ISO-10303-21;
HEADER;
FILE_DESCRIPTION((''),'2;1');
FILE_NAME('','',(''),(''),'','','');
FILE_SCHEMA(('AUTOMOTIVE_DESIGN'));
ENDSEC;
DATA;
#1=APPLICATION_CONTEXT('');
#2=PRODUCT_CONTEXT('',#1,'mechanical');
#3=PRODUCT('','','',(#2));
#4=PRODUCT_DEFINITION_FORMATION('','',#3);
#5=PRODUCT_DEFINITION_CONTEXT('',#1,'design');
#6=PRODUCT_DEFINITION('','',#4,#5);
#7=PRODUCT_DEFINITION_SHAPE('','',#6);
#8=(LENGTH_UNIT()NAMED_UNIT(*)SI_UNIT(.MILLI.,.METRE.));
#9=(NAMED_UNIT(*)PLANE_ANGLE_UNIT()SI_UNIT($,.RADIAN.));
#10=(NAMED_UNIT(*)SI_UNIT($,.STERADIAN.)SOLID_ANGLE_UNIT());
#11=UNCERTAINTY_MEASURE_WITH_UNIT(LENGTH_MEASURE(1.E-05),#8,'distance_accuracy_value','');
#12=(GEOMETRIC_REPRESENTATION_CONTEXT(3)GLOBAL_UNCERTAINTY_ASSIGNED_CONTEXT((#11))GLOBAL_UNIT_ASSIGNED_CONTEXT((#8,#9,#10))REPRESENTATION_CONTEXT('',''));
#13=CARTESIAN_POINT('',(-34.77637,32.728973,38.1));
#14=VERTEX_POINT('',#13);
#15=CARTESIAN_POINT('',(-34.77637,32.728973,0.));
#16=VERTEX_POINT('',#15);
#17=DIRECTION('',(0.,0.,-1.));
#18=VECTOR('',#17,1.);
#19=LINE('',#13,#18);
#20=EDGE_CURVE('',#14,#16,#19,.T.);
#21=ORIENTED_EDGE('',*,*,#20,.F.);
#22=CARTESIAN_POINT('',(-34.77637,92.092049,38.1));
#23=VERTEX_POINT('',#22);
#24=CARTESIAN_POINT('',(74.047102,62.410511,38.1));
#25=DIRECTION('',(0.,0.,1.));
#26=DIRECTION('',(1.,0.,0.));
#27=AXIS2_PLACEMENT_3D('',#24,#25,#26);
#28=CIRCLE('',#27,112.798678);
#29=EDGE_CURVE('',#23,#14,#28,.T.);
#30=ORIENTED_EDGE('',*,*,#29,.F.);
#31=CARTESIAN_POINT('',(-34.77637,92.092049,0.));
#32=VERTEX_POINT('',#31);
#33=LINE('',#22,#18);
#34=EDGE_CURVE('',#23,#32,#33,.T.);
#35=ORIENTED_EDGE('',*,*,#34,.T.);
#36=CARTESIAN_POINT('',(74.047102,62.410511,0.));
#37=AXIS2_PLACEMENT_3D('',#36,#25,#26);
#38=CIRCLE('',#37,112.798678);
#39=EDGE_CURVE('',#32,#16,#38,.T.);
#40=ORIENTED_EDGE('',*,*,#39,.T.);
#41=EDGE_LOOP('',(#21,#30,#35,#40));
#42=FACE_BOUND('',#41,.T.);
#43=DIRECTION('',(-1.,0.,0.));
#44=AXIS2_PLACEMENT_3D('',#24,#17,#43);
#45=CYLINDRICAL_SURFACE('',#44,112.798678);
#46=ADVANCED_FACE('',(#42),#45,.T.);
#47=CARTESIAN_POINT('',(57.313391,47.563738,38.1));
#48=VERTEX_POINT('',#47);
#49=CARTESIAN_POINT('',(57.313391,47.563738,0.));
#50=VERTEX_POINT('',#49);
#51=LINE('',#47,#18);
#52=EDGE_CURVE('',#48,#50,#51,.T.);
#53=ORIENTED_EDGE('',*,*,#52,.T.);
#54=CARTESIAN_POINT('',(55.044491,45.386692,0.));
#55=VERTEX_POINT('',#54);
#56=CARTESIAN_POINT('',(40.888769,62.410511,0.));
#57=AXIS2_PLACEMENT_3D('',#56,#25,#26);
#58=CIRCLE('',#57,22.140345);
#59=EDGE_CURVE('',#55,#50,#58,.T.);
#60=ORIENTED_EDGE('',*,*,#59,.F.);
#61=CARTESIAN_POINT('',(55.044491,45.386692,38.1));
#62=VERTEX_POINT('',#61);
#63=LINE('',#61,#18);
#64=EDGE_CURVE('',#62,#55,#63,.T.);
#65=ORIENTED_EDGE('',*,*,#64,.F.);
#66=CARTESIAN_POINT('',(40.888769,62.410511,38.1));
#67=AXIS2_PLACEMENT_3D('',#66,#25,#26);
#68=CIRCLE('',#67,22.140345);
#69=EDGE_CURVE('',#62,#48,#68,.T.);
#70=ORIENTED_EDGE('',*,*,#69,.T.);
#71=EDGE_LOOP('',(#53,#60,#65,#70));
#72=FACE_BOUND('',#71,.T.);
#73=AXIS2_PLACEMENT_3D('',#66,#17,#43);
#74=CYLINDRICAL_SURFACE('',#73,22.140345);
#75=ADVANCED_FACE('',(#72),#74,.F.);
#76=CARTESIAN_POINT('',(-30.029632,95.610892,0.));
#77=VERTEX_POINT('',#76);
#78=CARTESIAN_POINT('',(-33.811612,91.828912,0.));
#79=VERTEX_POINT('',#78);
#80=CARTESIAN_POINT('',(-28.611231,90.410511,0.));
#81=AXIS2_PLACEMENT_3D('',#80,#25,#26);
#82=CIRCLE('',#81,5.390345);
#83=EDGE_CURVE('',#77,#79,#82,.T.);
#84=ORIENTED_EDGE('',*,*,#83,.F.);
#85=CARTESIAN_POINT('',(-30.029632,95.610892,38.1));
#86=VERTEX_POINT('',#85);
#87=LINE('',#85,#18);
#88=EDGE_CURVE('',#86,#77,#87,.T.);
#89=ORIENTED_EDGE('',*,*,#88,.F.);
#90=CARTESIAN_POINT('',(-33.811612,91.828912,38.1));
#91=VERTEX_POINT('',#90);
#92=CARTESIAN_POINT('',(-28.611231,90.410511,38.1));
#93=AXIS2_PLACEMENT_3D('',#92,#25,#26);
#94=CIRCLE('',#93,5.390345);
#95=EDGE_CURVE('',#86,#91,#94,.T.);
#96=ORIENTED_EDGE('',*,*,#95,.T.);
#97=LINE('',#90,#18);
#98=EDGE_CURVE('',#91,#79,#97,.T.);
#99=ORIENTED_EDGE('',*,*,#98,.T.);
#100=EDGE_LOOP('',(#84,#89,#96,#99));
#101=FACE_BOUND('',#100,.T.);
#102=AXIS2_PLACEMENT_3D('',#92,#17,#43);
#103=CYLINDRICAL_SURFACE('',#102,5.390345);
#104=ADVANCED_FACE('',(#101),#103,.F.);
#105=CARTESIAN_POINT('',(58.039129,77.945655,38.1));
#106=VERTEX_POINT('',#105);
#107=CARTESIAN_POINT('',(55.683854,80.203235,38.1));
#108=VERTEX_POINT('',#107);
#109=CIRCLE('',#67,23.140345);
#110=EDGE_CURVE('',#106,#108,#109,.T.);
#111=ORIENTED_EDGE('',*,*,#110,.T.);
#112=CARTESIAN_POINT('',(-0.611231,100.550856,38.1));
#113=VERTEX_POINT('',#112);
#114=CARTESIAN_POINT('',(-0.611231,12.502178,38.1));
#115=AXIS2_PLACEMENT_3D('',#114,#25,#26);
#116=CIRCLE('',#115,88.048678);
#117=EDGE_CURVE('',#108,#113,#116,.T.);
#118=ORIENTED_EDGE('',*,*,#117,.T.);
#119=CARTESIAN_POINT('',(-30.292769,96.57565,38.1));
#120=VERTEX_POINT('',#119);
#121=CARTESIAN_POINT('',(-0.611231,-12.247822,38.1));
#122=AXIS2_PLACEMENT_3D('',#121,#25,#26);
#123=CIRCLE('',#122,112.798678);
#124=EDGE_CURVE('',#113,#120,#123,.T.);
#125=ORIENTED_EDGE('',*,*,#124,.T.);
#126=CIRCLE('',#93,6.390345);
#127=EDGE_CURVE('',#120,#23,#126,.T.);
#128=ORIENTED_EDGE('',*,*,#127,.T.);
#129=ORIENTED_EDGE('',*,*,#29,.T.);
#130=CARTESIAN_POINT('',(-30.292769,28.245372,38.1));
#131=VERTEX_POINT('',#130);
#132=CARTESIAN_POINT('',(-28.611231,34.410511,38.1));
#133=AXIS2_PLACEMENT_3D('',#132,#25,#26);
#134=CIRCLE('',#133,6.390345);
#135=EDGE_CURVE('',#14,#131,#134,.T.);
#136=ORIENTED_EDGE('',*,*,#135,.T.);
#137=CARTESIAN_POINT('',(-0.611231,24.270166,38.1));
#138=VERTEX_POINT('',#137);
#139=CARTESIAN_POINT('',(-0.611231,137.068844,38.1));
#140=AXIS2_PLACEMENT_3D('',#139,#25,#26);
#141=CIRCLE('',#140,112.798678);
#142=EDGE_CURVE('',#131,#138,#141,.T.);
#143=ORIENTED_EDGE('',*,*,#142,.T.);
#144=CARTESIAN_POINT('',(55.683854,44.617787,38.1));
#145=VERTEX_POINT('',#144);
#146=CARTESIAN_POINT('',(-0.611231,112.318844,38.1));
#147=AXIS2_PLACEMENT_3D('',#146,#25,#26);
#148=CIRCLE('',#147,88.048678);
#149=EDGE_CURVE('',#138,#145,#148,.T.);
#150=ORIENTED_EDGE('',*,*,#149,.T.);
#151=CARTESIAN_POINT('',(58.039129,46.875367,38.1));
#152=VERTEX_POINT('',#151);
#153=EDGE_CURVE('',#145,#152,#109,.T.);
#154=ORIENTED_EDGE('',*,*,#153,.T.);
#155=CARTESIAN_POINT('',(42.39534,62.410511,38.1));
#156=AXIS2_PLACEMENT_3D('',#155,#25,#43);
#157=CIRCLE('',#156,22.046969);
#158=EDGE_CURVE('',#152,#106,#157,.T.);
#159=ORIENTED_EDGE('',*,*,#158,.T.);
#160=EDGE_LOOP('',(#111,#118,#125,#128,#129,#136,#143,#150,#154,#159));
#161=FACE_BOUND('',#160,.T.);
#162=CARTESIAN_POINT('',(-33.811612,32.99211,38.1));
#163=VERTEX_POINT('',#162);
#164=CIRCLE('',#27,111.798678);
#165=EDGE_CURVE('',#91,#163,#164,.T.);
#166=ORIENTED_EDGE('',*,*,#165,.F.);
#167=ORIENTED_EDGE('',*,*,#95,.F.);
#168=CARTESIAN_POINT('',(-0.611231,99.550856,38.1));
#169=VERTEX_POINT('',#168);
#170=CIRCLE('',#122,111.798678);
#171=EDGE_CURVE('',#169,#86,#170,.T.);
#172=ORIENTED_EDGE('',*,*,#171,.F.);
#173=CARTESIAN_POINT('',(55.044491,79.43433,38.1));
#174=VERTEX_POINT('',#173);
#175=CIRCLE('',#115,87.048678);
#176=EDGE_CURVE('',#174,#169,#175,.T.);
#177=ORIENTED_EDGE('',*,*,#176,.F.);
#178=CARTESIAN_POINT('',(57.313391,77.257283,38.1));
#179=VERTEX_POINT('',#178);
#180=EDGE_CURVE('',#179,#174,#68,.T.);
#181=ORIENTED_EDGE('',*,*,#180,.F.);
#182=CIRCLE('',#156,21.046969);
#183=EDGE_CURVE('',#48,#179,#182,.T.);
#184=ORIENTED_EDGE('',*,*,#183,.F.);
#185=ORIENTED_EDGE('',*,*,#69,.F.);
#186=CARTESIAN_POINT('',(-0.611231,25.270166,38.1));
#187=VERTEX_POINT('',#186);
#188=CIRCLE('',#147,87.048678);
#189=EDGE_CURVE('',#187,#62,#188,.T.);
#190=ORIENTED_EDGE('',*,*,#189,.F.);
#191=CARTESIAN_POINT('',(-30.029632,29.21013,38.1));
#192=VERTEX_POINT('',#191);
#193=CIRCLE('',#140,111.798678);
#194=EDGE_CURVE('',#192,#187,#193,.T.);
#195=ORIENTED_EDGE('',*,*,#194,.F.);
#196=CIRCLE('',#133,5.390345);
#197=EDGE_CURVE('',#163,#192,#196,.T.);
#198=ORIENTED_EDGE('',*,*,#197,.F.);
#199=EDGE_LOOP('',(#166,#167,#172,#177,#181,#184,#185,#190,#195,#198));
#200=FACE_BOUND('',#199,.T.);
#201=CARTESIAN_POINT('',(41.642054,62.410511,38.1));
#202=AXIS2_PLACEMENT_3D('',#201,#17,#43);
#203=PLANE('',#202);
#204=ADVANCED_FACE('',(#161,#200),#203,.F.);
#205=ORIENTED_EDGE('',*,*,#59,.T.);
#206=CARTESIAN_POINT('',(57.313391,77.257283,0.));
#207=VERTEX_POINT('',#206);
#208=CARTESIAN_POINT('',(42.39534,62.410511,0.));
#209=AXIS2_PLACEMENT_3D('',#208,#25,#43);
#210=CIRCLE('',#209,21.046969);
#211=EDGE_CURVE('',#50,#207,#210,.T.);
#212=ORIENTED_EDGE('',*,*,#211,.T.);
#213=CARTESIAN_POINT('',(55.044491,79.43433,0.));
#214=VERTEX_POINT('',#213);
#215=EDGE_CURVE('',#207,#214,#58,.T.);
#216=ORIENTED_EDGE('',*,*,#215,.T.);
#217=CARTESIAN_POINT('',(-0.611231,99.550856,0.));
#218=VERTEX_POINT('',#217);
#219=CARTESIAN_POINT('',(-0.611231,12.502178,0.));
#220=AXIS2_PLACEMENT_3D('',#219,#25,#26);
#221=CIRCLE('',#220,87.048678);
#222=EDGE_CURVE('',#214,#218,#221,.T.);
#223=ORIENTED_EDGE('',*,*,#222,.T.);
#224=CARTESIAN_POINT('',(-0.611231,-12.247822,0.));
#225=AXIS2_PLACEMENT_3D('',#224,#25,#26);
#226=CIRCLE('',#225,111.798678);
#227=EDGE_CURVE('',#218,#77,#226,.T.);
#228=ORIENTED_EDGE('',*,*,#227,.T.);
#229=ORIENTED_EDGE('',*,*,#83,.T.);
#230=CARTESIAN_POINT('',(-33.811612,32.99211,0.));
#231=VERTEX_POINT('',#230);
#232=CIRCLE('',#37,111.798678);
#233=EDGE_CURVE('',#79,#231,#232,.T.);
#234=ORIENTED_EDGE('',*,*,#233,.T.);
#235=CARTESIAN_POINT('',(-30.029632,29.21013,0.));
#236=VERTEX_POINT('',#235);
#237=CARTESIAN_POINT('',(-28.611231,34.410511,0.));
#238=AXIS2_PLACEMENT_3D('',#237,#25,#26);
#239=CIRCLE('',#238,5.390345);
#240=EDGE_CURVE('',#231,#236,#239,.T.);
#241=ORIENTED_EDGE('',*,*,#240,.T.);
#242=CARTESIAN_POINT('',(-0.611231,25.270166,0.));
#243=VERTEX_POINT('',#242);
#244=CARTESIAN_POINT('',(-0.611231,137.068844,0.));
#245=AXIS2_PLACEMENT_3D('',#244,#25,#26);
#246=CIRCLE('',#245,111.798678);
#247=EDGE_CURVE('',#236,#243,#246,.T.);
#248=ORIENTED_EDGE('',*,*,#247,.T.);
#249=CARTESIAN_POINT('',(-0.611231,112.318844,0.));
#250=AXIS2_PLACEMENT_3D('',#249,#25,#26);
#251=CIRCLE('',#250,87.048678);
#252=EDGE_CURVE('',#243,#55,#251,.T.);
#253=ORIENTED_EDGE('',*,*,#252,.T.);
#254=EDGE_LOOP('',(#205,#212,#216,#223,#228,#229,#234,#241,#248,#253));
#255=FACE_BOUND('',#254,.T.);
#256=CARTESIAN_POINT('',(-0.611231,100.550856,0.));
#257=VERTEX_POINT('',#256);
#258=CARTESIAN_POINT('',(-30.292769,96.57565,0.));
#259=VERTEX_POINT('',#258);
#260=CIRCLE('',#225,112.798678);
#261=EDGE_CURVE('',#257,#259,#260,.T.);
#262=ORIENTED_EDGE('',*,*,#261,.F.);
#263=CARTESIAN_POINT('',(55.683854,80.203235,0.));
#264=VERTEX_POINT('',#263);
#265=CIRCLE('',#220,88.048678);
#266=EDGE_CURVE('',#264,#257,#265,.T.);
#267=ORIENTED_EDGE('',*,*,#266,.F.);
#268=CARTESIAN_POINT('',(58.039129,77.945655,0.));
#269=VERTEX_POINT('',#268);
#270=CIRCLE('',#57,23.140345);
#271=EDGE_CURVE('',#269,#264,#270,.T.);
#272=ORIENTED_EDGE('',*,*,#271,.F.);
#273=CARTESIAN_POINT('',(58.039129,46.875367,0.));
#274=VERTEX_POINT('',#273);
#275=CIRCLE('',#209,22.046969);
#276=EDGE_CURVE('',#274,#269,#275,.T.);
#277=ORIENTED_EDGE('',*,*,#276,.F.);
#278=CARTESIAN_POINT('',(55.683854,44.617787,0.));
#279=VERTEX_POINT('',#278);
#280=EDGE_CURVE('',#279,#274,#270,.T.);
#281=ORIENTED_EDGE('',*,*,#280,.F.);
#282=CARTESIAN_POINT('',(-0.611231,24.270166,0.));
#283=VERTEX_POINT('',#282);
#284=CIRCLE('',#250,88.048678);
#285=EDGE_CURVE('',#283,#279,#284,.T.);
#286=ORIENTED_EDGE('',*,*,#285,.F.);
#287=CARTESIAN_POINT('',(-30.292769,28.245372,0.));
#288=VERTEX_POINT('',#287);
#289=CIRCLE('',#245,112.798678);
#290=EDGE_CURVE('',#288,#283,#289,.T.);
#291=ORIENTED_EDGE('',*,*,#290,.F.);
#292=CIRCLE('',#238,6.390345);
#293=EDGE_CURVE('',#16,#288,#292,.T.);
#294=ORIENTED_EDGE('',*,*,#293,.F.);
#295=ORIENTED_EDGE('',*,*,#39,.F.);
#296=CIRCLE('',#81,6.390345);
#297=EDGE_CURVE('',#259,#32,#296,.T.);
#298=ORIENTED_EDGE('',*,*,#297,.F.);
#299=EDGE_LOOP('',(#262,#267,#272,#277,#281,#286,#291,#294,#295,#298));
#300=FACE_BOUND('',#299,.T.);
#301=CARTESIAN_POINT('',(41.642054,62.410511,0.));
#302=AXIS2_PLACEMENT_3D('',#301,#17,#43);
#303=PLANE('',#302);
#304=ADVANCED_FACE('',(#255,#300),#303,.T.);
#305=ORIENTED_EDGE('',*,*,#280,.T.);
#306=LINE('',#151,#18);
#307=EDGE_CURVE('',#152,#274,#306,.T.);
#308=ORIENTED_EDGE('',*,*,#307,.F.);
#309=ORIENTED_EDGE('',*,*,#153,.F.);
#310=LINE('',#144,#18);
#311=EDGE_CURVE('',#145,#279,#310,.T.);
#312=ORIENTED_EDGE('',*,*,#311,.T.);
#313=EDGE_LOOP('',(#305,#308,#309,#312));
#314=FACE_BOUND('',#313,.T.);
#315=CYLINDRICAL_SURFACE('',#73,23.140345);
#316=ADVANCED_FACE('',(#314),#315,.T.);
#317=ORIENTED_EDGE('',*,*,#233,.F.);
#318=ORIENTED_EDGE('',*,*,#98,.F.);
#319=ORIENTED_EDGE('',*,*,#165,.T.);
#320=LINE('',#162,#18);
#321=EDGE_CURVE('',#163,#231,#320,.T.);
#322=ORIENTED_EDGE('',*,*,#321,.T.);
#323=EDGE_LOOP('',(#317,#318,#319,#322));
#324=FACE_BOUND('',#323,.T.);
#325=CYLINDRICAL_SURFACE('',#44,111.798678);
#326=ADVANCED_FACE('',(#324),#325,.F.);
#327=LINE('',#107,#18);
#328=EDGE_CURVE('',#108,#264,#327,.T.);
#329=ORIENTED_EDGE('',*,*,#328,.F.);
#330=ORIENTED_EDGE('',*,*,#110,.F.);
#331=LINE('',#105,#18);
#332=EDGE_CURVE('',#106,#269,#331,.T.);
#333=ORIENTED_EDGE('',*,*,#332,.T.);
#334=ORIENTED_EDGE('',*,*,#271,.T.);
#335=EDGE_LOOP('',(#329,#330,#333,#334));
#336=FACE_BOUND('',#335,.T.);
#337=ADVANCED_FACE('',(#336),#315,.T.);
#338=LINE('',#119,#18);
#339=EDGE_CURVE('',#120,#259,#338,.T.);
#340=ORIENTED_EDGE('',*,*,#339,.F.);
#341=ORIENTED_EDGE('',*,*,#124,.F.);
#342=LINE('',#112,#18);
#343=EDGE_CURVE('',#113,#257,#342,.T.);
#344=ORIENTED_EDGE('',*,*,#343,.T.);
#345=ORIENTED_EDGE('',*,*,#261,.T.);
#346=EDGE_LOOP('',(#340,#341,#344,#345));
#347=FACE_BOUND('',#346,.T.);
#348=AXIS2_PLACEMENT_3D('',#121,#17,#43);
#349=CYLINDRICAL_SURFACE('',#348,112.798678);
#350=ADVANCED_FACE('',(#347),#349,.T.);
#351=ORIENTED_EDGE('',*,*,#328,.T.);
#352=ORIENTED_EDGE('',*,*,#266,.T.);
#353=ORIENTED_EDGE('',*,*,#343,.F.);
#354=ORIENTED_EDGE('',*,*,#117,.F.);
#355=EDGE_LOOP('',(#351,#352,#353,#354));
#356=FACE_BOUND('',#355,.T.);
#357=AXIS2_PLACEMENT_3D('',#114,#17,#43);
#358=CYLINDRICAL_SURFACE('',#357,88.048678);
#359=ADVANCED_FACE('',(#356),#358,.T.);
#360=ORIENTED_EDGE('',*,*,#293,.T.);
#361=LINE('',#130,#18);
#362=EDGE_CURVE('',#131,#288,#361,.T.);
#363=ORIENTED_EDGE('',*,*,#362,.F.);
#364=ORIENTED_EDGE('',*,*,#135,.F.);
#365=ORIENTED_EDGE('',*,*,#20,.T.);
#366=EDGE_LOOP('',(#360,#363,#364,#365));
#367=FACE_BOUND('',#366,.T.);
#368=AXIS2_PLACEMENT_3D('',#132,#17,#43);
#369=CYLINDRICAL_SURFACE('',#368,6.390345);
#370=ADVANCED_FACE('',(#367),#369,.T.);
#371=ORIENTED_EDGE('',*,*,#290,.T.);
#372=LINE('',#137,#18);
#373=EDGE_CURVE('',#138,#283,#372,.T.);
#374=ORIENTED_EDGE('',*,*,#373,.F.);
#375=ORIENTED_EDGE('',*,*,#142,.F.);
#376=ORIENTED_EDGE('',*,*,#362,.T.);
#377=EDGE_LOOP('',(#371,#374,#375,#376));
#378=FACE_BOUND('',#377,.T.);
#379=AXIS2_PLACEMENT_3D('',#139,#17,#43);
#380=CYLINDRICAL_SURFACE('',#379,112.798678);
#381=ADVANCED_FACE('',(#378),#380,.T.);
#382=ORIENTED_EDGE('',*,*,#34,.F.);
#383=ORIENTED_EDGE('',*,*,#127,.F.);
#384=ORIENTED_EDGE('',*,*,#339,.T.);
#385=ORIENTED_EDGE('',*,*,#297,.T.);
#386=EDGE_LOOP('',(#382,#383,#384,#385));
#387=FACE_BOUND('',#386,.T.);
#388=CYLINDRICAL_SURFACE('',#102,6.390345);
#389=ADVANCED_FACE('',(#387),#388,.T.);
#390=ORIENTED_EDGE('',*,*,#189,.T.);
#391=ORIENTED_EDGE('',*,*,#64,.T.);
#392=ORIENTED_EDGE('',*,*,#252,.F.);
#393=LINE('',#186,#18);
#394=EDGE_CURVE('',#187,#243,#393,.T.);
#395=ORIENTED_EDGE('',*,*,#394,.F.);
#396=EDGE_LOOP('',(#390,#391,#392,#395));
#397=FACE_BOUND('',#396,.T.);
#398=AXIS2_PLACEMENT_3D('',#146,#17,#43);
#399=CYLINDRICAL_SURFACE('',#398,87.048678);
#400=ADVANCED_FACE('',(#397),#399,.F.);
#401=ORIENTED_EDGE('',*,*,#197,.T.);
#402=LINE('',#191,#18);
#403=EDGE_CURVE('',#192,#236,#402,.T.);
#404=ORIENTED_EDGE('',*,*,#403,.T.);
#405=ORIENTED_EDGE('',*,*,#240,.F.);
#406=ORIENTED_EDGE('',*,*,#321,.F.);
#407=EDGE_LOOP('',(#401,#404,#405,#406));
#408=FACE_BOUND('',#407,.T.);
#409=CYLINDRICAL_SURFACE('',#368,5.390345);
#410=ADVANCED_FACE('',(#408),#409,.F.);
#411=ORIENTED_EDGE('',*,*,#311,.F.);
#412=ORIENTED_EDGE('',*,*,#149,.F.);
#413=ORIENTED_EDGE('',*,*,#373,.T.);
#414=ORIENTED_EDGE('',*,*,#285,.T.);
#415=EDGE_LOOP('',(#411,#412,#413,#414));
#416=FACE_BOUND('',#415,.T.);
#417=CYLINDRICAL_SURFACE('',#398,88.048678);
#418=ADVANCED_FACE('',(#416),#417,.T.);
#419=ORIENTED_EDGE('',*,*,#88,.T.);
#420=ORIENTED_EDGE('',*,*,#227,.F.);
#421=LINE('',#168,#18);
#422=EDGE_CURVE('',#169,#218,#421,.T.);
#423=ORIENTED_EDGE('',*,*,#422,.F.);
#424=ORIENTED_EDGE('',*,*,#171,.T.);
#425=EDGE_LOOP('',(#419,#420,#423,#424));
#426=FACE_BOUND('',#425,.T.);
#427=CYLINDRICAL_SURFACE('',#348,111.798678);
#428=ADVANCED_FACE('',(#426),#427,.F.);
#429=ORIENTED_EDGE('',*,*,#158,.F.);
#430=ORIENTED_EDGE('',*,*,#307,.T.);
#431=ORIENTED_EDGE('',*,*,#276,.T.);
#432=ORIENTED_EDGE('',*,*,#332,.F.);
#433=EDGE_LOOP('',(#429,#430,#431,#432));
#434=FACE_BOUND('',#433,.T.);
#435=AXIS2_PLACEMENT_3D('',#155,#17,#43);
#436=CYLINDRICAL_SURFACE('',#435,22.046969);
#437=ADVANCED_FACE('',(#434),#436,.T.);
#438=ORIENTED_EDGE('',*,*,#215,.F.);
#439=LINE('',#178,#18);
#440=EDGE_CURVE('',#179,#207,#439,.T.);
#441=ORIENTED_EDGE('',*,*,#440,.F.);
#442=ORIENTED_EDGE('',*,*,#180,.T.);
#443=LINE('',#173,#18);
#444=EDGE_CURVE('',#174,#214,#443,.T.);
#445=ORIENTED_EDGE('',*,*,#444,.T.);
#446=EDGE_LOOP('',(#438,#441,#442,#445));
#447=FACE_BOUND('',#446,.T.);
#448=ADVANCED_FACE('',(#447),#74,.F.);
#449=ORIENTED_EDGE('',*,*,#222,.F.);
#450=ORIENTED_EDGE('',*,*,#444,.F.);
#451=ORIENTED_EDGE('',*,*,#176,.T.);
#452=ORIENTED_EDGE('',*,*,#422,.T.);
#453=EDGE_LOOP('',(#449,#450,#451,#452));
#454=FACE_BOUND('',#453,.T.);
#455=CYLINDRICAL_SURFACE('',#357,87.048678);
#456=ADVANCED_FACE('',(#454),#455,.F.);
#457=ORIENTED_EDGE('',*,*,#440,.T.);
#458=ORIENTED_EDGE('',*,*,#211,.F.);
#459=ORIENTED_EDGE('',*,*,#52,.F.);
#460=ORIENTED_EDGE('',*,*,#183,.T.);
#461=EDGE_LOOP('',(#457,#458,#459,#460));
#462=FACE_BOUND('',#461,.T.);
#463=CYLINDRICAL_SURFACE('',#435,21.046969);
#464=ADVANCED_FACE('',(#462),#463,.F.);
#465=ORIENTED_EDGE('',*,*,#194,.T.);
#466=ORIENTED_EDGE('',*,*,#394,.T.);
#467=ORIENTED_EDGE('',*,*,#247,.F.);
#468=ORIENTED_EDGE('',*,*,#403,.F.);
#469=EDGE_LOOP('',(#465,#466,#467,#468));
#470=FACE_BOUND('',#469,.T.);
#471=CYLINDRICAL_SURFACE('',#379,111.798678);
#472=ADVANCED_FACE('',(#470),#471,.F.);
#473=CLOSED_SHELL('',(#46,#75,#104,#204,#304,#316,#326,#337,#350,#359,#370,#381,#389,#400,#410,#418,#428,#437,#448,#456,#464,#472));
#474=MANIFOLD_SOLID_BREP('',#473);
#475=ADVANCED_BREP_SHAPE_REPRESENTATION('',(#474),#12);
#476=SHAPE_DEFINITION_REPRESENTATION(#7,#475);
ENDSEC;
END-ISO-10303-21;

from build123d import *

# Parameters (mm, degrees)
EXTRUDE_1_DEPTH = 38.1


with BuildPart() as part:
    # Эскиз1 → Бобышка-Вытянуть1 (new body)
    with BuildSketch(Plane.XY):
        with BuildLine():
            ThreePointArc((58.039129224, 77.945655108), (56.901327597, 79.116004883), (55.683853915, 80.203234837))
            ThreePointArc((55.683853915, 80.203234837), (29.318529457, 95.307848832), (-0.611231214, 100.550855968))
            ThreePointArc((-0.611231214, 100.550855968), (-15.584507099, 99.552637576), (-30.292769251, 96.575649981))
            ThreePointArc((-30.292769251, 96.575649981), (-33.129887493, 94.929167254), (-34.776370221, 92.092049011))
            ThreePointArc((-34.776370221, 92.092049011), (-38.751576208, 62.410510975), (-34.776370221, 32.728972938))
            ThreePointArc((-34.776370221, 32.728972938), (-33.129887493, 29.891854696), (-30.29276925, 28.245371968))
            ThreePointArc((-30.29276925, 28.245371968), (-15.584507098, 25.268384374), (-0.611231214, 24.270165982))
            ThreePointArc((-0.611231214, 24.270165982), (29.318529457, 29.513173118), (55.683853915, 44.617787113))
            ThreePointArc((55.683853915, 44.617787113), (56.901327595, 45.705017068), (58.039129224, 46.875366842))
            ThreePointArc((58.039129224, 46.875366842), (64.442309074, 62.410510975), (58.039129224, 77.945655108))
        make_face()
        with BuildLine():
            ThreePointArc((57.313391253, 77.25728346), (63.442309074, 62.410510975), (57.313391253, 47.56373849))
            ThreePointArc((57.313391253, 47.56373849), (56.217638563, 46.434884922), (55.04449071, 45.386691978))
            ThreePointArc((55.04449071, 45.386691978), (28.978606573, 30.453626431), (-0.611231214, 25.270165982))
            ThreePointArc((-0.611231214, 25.270165982), (-15.451763735, 26.259534816), (-30.029631964, 29.210130367))
            ThreePointArc((-30.029631964, 29.210130367), (-32.422780711, 30.598961477), (-33.811611821, 32.992110224))
            ThreePointArc((-33.811611821, 32.992110224), (-37.751576208, 62.410510974), (-33.811611822, 91.828911725))
            ThreePointArc((-33.811611822, 91.828911725), (-32.422780712, 94.222060472), (-30.029631965, 95.610891582))
            ThreePointArc((-30.029631965, 95.610891582), (-15.451763736, 98.561487134), (-0.611231214, 99.550855968))
            ThreePointArc((-0.611231214, 99.550855968), (28.978606573, 94.367395519), (55.04449071, 79.434329972))
            ThreePointArc((55.04449071, 79.434329972), (56.217638563, 78.386137027), (57.313391253, 77.25728346))
        make_face(mode=Mode.SUBTRACT)
    extrude(amount=EXTRUDE_1_DEPTH)


solid = part.part
